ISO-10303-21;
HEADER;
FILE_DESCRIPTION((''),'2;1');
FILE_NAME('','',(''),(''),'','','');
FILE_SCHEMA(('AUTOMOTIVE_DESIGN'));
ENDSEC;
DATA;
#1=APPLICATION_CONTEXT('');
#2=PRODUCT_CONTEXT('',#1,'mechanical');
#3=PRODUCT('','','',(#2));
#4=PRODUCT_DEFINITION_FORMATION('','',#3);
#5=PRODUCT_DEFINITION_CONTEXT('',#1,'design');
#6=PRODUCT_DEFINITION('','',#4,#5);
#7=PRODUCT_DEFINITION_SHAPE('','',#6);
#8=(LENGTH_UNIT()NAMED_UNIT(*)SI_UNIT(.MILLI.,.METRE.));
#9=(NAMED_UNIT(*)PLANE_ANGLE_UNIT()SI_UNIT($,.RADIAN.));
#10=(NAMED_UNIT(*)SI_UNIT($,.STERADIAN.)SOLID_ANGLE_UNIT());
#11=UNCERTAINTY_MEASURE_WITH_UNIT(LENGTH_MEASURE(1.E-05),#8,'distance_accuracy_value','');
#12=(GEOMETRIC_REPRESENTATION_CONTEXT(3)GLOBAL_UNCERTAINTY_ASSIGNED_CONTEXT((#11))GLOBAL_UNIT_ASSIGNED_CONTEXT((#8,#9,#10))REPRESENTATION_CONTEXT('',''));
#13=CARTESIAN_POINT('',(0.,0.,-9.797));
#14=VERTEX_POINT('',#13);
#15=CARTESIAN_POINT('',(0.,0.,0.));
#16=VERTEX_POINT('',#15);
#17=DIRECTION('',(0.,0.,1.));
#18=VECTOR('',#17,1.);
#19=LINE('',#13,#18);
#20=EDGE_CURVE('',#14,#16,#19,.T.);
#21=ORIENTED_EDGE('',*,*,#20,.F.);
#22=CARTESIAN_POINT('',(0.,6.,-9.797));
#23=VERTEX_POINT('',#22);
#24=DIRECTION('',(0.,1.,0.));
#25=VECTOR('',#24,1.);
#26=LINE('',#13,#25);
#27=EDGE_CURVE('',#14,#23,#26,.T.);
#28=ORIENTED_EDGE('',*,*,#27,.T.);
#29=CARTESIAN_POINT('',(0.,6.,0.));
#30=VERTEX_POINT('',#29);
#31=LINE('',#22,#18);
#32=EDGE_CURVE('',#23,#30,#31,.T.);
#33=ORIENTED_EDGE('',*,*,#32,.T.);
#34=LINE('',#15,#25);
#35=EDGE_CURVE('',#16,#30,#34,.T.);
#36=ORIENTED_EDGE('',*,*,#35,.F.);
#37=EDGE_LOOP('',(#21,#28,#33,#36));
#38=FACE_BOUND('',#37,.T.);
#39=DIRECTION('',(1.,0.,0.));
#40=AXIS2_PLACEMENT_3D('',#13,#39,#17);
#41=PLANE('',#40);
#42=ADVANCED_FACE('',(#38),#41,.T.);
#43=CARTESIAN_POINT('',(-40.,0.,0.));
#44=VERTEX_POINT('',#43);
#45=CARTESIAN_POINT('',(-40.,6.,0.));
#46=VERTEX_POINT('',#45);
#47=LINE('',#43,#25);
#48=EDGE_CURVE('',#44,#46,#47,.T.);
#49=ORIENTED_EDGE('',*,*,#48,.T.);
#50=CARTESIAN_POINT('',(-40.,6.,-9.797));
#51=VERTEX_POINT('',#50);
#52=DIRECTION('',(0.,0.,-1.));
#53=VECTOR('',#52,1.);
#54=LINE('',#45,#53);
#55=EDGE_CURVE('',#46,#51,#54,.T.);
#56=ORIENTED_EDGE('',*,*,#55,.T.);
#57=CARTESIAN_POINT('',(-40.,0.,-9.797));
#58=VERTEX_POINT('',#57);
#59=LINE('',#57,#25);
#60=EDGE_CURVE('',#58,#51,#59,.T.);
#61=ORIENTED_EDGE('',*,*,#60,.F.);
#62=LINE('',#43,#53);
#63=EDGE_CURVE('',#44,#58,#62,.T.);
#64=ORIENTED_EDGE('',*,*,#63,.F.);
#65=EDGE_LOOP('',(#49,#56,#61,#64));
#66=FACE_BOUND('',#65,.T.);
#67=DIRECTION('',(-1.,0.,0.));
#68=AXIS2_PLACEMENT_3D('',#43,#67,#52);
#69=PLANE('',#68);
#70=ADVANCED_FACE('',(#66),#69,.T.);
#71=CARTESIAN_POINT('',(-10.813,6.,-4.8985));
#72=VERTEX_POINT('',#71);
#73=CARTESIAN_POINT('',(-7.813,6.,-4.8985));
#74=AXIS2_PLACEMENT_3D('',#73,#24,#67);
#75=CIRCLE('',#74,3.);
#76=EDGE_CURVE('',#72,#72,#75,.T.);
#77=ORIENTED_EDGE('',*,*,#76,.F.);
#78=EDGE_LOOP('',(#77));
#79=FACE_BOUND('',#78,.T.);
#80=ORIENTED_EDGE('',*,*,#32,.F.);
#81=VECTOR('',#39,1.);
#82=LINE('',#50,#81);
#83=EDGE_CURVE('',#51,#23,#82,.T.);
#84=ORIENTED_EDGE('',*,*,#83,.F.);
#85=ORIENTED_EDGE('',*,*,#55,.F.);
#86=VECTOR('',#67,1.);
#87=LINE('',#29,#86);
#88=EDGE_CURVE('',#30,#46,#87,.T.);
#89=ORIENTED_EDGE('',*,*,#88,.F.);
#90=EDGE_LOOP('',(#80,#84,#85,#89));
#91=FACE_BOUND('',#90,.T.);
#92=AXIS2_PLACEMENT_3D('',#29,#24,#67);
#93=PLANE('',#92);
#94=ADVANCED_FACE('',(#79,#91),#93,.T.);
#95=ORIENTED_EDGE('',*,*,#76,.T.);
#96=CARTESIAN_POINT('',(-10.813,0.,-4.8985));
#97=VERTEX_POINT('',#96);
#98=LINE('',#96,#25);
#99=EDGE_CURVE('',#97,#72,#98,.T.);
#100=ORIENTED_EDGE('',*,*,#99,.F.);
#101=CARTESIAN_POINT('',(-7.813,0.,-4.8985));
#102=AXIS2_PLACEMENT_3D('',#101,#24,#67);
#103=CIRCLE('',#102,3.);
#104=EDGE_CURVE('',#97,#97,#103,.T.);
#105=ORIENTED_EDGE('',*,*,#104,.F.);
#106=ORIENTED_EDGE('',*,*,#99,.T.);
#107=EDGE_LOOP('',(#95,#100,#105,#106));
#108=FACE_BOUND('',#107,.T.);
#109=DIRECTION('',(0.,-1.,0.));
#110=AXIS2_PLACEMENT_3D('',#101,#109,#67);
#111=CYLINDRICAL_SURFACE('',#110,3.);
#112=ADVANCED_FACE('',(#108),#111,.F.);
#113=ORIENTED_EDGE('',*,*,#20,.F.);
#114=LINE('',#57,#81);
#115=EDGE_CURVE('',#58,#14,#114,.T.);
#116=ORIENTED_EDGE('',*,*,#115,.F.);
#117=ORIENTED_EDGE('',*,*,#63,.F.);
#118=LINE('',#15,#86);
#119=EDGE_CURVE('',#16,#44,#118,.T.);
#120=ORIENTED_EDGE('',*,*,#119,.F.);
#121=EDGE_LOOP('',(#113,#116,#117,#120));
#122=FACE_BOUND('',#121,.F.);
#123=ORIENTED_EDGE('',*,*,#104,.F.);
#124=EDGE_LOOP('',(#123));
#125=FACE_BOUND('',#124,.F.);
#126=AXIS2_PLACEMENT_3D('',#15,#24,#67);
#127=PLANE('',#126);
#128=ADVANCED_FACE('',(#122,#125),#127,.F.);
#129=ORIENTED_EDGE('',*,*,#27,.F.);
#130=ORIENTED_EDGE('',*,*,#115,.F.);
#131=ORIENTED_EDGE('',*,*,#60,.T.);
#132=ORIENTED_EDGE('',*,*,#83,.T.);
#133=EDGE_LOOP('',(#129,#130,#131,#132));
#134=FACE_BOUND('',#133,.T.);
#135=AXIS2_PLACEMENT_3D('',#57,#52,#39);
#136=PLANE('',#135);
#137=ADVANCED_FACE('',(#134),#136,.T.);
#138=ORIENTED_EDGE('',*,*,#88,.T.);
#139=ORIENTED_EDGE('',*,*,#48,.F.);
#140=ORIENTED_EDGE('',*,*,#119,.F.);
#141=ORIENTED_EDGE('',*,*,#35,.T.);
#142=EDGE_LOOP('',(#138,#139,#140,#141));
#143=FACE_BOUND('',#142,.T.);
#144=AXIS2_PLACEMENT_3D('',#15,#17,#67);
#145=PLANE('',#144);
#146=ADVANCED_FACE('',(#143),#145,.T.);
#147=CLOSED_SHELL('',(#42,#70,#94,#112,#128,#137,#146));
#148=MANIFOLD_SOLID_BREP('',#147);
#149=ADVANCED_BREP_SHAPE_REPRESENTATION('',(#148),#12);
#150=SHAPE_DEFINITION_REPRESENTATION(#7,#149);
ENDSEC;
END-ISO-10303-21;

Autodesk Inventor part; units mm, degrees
ref_plane "YZ Plane" through (0, 0, 0) normal (1, 0, 0) x (0, 1, 0)
ref_plane "XZ Plane" through (0, 0, 0) normal (0, 1, 0) x (-1, 0, 0)
ref_plane "XY Plane" through (0, 0, 0) normal (0, 0, 1) x (1, 0, 0)
sketch "Sketch1" plane through (0, 0, 0) normal (0, 1, 0) x (-1, 0, 0)
  line L0 (0, 0) -> (40, 0)
  line L1 (40, 0) -> (40, -9.797)
  line L2 (40, -9.797) -> (0, -9.797)
  line L3 (0, -9.797) -> (0, 0)
  circle A0 centre (7.813, -4.8985) radius 3
  dimension "d1" = 40
  dimension "d3" = 6
extrude "Extrusion1" add sketch "Sketch1" along normal blind 6
equation "\"BendRadius\" = Thickness"
equation "\"BendReliefWidth\" = Thickness"
equation "\"BendReliefDepth\" = 0.5 * Thickness"
equation "\"CornerReliefSize\" = 4 * Thickness"
equation "\"MinimumRemnant\" = 2 * Thickness"
equation "\"TransitionRadius\" = BendRadius"
equation "\"JacobiRadiusSize\" = BendRadius"
equation "\"GapSize\" = Thickness"
equation "\"Thickness\" = 0.5"
